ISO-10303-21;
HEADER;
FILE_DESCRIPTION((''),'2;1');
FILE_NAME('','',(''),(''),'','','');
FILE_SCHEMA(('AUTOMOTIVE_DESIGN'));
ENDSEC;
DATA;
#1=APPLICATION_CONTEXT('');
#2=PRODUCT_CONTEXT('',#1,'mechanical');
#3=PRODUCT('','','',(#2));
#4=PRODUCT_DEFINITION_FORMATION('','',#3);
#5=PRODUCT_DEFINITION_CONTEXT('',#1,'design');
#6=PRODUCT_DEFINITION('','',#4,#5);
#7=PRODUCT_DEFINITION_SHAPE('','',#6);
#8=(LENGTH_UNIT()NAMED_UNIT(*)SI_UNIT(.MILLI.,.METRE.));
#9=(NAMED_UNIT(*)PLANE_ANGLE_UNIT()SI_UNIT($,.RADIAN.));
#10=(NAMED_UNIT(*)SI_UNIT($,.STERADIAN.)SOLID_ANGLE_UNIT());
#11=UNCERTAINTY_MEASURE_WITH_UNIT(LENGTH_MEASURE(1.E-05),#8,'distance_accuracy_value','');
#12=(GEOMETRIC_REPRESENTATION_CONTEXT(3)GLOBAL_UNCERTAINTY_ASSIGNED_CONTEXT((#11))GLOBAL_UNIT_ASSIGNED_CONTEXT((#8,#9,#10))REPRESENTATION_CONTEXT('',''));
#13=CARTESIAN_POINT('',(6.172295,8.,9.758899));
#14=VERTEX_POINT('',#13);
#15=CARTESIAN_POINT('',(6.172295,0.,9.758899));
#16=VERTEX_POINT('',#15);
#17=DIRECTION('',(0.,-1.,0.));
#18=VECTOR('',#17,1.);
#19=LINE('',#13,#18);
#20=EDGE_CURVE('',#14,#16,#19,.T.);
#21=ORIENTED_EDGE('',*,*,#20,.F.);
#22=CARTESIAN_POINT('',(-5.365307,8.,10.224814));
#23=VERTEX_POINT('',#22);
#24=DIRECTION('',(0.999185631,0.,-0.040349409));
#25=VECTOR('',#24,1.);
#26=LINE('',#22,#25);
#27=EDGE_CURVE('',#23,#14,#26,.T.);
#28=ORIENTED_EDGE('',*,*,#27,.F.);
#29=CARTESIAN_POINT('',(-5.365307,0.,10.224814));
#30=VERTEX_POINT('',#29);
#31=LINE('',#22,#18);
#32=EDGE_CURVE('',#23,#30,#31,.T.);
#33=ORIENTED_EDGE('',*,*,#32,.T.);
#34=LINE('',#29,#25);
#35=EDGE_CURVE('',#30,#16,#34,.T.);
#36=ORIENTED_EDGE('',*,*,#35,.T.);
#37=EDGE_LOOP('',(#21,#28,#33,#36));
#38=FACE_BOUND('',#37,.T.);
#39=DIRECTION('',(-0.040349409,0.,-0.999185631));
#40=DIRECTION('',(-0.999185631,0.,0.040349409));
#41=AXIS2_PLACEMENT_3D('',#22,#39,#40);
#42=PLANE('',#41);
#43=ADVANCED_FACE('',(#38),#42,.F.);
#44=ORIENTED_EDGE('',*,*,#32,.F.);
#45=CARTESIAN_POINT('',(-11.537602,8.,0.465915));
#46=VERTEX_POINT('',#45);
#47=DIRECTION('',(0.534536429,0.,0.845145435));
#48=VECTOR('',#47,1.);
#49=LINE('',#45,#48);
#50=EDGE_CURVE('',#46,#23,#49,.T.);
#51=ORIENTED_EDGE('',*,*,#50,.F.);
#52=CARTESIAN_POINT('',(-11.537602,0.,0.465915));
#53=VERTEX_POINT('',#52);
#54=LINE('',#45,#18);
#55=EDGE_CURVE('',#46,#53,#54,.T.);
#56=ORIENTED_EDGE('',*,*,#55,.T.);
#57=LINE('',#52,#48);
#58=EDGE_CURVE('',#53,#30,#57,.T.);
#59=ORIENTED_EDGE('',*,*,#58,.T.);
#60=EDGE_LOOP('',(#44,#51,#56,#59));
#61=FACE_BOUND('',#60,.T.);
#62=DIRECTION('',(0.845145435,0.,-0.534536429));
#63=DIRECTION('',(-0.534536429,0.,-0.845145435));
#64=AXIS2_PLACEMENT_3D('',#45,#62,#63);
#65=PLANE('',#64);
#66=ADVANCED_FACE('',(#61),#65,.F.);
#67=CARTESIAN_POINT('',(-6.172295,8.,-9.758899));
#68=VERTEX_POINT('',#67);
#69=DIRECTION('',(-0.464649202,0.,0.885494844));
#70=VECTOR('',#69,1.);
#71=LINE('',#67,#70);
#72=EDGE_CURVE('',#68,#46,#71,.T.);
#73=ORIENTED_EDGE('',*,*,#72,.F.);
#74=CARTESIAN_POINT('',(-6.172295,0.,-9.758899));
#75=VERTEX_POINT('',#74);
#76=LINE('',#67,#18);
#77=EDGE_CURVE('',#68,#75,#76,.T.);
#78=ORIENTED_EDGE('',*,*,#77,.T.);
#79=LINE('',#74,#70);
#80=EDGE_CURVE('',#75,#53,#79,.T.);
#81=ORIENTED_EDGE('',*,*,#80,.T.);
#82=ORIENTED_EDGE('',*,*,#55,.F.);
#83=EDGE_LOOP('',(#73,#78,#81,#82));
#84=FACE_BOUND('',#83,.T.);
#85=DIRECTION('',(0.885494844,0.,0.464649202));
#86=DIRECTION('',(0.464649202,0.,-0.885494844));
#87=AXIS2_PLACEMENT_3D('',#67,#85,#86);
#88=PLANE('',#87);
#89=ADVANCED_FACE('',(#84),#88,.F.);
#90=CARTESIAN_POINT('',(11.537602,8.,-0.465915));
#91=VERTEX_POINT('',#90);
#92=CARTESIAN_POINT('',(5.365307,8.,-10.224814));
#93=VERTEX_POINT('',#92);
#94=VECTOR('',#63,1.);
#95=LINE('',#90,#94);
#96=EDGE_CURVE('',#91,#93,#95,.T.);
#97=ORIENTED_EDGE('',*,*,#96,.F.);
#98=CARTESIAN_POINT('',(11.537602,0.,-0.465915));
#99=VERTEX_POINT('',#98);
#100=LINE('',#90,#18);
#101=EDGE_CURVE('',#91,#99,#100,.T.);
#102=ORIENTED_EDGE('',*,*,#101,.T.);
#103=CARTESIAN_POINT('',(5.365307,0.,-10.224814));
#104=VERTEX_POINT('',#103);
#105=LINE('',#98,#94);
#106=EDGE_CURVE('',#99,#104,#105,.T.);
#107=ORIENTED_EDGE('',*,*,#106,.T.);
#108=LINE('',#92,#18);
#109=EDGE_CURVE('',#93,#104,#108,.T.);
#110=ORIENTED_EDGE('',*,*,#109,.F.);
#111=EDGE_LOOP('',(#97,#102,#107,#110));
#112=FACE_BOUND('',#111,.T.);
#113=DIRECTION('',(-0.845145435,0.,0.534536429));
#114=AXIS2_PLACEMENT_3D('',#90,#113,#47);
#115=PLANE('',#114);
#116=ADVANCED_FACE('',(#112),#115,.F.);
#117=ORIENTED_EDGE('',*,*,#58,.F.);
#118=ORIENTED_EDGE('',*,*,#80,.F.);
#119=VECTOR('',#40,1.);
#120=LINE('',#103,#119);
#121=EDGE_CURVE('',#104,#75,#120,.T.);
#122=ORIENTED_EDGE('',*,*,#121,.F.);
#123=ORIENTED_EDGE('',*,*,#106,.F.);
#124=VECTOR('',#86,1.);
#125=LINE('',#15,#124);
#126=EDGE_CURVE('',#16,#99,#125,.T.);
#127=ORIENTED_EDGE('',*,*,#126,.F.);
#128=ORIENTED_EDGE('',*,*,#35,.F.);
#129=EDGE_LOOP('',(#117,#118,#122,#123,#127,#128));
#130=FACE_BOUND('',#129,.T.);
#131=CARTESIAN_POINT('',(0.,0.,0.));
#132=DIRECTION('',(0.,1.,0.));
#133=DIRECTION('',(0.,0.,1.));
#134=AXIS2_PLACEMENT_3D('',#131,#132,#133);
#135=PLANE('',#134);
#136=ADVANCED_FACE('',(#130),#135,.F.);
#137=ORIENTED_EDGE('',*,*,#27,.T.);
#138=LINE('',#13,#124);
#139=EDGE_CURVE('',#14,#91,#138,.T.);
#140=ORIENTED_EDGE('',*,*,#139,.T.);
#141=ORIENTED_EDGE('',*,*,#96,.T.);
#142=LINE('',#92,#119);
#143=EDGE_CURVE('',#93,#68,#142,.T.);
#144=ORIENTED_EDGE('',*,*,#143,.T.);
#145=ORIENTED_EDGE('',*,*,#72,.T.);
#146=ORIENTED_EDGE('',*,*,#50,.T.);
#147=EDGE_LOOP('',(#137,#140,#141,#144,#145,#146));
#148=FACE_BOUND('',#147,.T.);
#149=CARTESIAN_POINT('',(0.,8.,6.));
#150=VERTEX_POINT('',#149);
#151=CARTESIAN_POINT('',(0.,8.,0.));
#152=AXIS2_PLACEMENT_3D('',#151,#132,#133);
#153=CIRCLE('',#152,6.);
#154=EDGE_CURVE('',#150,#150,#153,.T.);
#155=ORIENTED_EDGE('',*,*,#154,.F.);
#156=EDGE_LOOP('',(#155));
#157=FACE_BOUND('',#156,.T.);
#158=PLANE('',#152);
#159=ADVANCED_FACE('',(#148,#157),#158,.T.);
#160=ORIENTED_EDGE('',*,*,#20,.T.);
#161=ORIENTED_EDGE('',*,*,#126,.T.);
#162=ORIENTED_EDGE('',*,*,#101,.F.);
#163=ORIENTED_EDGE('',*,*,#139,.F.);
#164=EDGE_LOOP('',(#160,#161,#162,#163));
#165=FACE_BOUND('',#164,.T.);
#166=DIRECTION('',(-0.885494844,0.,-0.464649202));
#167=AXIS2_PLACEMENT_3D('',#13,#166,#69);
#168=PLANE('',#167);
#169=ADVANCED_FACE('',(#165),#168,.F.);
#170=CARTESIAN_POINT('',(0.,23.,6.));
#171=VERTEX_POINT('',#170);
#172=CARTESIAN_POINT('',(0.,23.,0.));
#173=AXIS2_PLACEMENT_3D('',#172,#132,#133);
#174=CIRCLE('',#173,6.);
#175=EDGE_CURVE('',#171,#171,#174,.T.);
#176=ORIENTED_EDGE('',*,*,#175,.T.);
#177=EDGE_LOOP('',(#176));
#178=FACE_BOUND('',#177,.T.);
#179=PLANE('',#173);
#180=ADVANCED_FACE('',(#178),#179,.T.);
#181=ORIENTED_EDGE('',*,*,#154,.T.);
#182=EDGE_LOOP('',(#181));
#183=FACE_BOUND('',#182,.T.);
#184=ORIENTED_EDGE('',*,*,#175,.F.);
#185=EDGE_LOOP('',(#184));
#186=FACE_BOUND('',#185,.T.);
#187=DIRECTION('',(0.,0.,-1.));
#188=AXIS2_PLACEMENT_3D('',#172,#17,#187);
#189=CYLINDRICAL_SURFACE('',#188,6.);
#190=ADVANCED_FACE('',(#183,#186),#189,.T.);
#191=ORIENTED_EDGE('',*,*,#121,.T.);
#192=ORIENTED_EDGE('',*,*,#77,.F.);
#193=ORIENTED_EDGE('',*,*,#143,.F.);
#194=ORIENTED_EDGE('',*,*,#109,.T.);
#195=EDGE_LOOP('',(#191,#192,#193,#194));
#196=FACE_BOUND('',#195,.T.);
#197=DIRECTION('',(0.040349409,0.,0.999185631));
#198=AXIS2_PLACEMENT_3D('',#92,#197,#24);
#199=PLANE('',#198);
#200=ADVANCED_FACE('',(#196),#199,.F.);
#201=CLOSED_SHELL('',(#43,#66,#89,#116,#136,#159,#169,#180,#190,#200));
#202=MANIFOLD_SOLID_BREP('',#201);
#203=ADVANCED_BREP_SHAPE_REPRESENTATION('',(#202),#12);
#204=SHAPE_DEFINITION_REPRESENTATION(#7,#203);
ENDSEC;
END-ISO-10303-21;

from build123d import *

# Parameters (mm, degrees)
SALIENTE_EXTRUIR1_DEPTH = 8
CROQUIS2_R              = 6
SALIENTE_EXTRUIR2_DEPTH = 15


with BuildPart() as part:
    # Croquis1 → Saliente-Extruir1 (new body)
    with BuildSketch(Plane(origin=(0, 0, 0), x_dir=(1, 0, 0), z_dir=(0, 1, 0))):
        Polygon((6.172295023, -9.758898887), (11.53760186, 0.465914846), (5.365306838, 10.224813733), (-6.172295023, 9.758898887), (-11.53760186, -0.465914846), (-5.365306838, -10.224813733), align=None)
    extrude(amount=SALIENTE_EXTRUIR1_DEPTH)

    # Croquis2 → Saliente-Extruir2 (add)
    with BuildSketch(Plane(origin=(0, 8, 0), x_dir=(1, 0, 0), z_dir=(0, 1, 0))):
        Circle(CROQUIS2_R)
    extrude(amount=SALIENTE_EXTRUIR2_DEPTH)


solid = part.part
